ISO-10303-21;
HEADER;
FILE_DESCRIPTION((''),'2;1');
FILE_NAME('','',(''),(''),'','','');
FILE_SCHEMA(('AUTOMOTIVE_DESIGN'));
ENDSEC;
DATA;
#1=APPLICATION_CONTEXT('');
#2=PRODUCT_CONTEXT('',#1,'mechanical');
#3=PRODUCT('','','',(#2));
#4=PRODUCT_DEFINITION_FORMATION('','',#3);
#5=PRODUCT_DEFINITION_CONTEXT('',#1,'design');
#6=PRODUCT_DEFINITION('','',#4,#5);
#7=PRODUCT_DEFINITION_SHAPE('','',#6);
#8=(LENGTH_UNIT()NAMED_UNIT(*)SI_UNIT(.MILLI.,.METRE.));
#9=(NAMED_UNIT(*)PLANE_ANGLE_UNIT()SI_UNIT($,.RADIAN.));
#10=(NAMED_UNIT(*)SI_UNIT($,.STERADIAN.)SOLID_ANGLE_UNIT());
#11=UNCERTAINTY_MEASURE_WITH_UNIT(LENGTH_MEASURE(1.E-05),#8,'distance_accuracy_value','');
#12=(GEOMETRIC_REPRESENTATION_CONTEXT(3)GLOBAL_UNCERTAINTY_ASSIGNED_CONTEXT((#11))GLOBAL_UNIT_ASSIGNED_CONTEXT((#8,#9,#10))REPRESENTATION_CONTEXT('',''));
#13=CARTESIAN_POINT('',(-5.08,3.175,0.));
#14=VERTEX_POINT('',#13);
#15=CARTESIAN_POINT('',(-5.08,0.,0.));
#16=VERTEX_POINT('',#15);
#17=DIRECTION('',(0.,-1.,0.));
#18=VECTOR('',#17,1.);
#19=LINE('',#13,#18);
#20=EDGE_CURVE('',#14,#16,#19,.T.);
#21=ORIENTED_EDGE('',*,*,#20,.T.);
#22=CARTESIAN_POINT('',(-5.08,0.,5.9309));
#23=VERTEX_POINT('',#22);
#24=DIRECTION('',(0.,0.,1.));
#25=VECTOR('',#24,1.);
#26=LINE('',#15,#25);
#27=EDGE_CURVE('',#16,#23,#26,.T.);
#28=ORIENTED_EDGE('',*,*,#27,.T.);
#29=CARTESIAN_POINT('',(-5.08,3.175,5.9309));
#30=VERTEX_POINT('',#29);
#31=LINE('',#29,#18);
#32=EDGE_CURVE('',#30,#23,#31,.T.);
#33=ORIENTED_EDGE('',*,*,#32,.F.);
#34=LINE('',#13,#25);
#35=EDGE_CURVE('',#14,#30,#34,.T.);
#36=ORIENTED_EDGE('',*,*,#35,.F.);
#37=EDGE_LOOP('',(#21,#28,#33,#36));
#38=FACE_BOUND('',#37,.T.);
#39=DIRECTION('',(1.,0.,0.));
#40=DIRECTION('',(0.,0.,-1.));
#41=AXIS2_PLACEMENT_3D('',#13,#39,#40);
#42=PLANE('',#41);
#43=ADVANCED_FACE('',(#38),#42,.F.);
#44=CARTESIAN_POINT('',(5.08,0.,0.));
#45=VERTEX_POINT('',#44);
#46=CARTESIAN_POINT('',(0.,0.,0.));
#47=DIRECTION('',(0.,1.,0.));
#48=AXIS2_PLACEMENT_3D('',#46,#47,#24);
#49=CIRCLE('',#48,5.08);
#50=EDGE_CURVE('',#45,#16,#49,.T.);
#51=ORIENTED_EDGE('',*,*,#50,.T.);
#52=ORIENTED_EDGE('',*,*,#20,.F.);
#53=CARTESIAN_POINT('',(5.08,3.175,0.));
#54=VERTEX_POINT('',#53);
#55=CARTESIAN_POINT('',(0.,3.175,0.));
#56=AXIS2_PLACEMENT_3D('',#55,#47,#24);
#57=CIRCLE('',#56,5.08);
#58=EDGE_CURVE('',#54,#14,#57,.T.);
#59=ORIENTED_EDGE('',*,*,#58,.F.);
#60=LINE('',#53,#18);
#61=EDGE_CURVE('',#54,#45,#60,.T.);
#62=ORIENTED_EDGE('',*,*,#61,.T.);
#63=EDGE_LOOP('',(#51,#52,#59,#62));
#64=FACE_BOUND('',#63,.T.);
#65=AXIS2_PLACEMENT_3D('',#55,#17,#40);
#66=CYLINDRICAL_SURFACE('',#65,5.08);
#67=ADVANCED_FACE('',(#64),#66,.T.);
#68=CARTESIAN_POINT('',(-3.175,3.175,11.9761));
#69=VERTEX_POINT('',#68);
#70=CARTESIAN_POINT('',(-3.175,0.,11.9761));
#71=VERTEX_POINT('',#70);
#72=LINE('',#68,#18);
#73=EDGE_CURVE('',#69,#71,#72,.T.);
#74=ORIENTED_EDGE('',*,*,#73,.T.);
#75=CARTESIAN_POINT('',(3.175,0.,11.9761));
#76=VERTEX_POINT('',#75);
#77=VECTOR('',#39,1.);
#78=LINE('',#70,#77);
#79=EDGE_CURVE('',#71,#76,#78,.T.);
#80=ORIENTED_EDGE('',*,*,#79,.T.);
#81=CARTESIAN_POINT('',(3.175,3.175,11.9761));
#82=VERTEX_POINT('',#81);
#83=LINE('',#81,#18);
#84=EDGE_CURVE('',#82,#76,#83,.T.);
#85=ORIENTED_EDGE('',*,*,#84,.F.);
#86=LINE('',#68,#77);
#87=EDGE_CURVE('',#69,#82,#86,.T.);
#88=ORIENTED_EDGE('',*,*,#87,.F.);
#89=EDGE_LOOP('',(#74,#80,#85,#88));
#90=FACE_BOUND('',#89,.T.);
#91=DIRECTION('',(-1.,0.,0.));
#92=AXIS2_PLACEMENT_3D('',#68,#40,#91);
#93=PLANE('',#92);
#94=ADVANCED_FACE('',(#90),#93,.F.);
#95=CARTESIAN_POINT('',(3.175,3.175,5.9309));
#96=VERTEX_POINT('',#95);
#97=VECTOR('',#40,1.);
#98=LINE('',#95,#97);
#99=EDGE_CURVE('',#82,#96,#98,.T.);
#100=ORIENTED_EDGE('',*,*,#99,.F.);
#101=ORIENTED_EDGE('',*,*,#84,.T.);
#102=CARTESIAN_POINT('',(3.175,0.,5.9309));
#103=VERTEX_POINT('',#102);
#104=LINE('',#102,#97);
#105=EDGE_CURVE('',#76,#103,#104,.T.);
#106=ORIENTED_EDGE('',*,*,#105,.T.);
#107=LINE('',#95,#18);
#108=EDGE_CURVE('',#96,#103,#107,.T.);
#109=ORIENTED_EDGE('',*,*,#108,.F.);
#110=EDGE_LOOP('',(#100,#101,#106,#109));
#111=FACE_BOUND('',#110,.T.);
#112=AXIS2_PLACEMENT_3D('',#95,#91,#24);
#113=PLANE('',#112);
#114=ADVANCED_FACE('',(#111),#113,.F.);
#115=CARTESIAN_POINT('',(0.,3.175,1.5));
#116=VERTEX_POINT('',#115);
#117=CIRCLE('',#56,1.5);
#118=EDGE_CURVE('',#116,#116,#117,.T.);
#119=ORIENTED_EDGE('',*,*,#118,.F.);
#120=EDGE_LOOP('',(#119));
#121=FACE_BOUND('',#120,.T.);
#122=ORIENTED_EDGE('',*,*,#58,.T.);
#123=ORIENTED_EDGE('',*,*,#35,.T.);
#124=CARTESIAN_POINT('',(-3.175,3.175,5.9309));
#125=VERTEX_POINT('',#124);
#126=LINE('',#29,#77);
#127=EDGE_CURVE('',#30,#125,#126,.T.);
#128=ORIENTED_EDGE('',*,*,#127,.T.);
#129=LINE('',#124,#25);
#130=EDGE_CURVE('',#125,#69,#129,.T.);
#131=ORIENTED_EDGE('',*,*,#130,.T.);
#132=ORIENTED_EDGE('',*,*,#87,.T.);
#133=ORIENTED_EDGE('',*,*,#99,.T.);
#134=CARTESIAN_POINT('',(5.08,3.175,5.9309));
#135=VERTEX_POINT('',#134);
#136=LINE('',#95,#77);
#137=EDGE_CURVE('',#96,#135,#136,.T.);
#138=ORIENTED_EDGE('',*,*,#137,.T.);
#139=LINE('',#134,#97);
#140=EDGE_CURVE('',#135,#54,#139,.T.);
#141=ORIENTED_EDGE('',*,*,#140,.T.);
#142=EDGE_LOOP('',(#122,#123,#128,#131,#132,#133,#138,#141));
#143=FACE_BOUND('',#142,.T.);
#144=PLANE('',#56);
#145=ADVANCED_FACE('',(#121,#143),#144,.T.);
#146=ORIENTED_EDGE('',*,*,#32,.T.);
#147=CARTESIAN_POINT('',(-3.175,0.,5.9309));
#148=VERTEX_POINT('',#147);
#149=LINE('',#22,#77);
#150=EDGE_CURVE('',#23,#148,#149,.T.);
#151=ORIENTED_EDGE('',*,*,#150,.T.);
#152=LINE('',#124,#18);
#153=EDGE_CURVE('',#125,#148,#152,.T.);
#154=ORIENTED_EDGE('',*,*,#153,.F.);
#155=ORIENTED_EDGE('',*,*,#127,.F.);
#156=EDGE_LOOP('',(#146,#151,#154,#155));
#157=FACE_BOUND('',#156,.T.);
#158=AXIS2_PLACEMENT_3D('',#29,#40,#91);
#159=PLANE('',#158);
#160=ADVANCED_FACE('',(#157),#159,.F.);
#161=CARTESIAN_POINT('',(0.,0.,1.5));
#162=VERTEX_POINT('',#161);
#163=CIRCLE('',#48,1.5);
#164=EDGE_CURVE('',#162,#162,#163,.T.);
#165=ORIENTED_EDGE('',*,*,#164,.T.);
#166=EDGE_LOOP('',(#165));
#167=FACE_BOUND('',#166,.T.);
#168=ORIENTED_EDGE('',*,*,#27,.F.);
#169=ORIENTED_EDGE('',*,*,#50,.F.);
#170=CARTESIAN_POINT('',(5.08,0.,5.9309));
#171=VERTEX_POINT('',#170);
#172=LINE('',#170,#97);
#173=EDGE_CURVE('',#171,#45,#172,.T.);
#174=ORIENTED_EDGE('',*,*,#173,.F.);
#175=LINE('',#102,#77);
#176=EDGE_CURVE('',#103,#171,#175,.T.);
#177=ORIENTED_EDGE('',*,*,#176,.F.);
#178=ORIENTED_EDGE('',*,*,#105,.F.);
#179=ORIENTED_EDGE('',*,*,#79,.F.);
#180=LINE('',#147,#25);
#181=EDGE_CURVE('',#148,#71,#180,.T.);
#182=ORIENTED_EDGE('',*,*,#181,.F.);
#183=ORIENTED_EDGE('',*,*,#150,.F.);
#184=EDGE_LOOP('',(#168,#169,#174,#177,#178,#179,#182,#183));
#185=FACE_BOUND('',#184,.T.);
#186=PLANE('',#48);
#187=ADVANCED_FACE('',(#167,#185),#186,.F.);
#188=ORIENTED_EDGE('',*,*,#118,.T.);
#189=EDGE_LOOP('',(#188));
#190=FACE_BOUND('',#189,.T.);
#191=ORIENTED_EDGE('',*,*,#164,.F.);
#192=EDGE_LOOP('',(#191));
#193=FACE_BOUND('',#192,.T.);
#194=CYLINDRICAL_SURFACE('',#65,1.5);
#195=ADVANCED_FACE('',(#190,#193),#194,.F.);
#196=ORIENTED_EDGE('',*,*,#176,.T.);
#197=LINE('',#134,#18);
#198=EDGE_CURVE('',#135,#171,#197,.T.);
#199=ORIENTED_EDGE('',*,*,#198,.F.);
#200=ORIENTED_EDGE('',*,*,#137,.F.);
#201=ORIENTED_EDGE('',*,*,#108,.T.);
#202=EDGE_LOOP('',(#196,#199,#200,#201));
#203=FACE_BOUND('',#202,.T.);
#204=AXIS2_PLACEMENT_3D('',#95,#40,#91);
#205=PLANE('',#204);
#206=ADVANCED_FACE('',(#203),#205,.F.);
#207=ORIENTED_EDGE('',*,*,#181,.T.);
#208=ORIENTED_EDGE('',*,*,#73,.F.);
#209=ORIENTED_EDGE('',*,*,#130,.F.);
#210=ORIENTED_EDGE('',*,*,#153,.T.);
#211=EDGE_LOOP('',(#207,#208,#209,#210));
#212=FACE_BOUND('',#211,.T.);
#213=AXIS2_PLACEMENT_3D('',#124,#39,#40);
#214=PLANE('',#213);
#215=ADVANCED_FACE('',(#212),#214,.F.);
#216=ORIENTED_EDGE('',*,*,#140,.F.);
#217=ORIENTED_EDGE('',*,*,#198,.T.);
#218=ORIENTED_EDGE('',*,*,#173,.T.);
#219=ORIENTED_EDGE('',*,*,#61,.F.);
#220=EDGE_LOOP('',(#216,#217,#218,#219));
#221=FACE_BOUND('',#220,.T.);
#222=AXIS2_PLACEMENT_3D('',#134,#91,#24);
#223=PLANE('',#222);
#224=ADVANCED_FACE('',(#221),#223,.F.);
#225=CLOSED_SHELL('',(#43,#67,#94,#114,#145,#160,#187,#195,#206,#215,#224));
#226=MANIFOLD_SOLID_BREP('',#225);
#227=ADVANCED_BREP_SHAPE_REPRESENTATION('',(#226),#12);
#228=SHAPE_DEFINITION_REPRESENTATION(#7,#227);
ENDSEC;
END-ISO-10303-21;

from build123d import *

# Parameters (mm, degrees)
SKETCH1_R           = 1.5
BOSS_EXTRUDE1_DEPTH = 3.175


with BuildPart() as part:
    # Sketch1 → Boss-Extrude1 (new body)
    with BuildSketch(Plane(origin=(0, 0, 0), x_dir=(1, 0, 0), z_dir=(0, 1, 0))):
        with BuildLine():
            Line((-5.08, 0), (-5.08, -5.9309))
            Line((-5.08, -5.9309), (-3.175, -5.9309))
            Line((-3.175, -5.9309), (-3.175, -11.9761))
            Line((-3.175, -11.9761), (3.175, -11.9761))
            Line((3.175, -11.9761), (3.175, -5.9309))
            Line((3.175, -5.9309), (5.08, -5.9309))
            Line((5.08, -5.9309), (5.08, 0))
            ThreePointArc((5.08, 0), (0, 5.08), (-5.08, 0))
        make_face()
        with Locations(Location((0, 0, 0), (0, 0, 270))):
            Circle(SKETCH1_R, mode=Mode.SUBTRACT)
    extrude(amount=BOSS_EXTRUDE1_DEPTH)


solid = part.part
